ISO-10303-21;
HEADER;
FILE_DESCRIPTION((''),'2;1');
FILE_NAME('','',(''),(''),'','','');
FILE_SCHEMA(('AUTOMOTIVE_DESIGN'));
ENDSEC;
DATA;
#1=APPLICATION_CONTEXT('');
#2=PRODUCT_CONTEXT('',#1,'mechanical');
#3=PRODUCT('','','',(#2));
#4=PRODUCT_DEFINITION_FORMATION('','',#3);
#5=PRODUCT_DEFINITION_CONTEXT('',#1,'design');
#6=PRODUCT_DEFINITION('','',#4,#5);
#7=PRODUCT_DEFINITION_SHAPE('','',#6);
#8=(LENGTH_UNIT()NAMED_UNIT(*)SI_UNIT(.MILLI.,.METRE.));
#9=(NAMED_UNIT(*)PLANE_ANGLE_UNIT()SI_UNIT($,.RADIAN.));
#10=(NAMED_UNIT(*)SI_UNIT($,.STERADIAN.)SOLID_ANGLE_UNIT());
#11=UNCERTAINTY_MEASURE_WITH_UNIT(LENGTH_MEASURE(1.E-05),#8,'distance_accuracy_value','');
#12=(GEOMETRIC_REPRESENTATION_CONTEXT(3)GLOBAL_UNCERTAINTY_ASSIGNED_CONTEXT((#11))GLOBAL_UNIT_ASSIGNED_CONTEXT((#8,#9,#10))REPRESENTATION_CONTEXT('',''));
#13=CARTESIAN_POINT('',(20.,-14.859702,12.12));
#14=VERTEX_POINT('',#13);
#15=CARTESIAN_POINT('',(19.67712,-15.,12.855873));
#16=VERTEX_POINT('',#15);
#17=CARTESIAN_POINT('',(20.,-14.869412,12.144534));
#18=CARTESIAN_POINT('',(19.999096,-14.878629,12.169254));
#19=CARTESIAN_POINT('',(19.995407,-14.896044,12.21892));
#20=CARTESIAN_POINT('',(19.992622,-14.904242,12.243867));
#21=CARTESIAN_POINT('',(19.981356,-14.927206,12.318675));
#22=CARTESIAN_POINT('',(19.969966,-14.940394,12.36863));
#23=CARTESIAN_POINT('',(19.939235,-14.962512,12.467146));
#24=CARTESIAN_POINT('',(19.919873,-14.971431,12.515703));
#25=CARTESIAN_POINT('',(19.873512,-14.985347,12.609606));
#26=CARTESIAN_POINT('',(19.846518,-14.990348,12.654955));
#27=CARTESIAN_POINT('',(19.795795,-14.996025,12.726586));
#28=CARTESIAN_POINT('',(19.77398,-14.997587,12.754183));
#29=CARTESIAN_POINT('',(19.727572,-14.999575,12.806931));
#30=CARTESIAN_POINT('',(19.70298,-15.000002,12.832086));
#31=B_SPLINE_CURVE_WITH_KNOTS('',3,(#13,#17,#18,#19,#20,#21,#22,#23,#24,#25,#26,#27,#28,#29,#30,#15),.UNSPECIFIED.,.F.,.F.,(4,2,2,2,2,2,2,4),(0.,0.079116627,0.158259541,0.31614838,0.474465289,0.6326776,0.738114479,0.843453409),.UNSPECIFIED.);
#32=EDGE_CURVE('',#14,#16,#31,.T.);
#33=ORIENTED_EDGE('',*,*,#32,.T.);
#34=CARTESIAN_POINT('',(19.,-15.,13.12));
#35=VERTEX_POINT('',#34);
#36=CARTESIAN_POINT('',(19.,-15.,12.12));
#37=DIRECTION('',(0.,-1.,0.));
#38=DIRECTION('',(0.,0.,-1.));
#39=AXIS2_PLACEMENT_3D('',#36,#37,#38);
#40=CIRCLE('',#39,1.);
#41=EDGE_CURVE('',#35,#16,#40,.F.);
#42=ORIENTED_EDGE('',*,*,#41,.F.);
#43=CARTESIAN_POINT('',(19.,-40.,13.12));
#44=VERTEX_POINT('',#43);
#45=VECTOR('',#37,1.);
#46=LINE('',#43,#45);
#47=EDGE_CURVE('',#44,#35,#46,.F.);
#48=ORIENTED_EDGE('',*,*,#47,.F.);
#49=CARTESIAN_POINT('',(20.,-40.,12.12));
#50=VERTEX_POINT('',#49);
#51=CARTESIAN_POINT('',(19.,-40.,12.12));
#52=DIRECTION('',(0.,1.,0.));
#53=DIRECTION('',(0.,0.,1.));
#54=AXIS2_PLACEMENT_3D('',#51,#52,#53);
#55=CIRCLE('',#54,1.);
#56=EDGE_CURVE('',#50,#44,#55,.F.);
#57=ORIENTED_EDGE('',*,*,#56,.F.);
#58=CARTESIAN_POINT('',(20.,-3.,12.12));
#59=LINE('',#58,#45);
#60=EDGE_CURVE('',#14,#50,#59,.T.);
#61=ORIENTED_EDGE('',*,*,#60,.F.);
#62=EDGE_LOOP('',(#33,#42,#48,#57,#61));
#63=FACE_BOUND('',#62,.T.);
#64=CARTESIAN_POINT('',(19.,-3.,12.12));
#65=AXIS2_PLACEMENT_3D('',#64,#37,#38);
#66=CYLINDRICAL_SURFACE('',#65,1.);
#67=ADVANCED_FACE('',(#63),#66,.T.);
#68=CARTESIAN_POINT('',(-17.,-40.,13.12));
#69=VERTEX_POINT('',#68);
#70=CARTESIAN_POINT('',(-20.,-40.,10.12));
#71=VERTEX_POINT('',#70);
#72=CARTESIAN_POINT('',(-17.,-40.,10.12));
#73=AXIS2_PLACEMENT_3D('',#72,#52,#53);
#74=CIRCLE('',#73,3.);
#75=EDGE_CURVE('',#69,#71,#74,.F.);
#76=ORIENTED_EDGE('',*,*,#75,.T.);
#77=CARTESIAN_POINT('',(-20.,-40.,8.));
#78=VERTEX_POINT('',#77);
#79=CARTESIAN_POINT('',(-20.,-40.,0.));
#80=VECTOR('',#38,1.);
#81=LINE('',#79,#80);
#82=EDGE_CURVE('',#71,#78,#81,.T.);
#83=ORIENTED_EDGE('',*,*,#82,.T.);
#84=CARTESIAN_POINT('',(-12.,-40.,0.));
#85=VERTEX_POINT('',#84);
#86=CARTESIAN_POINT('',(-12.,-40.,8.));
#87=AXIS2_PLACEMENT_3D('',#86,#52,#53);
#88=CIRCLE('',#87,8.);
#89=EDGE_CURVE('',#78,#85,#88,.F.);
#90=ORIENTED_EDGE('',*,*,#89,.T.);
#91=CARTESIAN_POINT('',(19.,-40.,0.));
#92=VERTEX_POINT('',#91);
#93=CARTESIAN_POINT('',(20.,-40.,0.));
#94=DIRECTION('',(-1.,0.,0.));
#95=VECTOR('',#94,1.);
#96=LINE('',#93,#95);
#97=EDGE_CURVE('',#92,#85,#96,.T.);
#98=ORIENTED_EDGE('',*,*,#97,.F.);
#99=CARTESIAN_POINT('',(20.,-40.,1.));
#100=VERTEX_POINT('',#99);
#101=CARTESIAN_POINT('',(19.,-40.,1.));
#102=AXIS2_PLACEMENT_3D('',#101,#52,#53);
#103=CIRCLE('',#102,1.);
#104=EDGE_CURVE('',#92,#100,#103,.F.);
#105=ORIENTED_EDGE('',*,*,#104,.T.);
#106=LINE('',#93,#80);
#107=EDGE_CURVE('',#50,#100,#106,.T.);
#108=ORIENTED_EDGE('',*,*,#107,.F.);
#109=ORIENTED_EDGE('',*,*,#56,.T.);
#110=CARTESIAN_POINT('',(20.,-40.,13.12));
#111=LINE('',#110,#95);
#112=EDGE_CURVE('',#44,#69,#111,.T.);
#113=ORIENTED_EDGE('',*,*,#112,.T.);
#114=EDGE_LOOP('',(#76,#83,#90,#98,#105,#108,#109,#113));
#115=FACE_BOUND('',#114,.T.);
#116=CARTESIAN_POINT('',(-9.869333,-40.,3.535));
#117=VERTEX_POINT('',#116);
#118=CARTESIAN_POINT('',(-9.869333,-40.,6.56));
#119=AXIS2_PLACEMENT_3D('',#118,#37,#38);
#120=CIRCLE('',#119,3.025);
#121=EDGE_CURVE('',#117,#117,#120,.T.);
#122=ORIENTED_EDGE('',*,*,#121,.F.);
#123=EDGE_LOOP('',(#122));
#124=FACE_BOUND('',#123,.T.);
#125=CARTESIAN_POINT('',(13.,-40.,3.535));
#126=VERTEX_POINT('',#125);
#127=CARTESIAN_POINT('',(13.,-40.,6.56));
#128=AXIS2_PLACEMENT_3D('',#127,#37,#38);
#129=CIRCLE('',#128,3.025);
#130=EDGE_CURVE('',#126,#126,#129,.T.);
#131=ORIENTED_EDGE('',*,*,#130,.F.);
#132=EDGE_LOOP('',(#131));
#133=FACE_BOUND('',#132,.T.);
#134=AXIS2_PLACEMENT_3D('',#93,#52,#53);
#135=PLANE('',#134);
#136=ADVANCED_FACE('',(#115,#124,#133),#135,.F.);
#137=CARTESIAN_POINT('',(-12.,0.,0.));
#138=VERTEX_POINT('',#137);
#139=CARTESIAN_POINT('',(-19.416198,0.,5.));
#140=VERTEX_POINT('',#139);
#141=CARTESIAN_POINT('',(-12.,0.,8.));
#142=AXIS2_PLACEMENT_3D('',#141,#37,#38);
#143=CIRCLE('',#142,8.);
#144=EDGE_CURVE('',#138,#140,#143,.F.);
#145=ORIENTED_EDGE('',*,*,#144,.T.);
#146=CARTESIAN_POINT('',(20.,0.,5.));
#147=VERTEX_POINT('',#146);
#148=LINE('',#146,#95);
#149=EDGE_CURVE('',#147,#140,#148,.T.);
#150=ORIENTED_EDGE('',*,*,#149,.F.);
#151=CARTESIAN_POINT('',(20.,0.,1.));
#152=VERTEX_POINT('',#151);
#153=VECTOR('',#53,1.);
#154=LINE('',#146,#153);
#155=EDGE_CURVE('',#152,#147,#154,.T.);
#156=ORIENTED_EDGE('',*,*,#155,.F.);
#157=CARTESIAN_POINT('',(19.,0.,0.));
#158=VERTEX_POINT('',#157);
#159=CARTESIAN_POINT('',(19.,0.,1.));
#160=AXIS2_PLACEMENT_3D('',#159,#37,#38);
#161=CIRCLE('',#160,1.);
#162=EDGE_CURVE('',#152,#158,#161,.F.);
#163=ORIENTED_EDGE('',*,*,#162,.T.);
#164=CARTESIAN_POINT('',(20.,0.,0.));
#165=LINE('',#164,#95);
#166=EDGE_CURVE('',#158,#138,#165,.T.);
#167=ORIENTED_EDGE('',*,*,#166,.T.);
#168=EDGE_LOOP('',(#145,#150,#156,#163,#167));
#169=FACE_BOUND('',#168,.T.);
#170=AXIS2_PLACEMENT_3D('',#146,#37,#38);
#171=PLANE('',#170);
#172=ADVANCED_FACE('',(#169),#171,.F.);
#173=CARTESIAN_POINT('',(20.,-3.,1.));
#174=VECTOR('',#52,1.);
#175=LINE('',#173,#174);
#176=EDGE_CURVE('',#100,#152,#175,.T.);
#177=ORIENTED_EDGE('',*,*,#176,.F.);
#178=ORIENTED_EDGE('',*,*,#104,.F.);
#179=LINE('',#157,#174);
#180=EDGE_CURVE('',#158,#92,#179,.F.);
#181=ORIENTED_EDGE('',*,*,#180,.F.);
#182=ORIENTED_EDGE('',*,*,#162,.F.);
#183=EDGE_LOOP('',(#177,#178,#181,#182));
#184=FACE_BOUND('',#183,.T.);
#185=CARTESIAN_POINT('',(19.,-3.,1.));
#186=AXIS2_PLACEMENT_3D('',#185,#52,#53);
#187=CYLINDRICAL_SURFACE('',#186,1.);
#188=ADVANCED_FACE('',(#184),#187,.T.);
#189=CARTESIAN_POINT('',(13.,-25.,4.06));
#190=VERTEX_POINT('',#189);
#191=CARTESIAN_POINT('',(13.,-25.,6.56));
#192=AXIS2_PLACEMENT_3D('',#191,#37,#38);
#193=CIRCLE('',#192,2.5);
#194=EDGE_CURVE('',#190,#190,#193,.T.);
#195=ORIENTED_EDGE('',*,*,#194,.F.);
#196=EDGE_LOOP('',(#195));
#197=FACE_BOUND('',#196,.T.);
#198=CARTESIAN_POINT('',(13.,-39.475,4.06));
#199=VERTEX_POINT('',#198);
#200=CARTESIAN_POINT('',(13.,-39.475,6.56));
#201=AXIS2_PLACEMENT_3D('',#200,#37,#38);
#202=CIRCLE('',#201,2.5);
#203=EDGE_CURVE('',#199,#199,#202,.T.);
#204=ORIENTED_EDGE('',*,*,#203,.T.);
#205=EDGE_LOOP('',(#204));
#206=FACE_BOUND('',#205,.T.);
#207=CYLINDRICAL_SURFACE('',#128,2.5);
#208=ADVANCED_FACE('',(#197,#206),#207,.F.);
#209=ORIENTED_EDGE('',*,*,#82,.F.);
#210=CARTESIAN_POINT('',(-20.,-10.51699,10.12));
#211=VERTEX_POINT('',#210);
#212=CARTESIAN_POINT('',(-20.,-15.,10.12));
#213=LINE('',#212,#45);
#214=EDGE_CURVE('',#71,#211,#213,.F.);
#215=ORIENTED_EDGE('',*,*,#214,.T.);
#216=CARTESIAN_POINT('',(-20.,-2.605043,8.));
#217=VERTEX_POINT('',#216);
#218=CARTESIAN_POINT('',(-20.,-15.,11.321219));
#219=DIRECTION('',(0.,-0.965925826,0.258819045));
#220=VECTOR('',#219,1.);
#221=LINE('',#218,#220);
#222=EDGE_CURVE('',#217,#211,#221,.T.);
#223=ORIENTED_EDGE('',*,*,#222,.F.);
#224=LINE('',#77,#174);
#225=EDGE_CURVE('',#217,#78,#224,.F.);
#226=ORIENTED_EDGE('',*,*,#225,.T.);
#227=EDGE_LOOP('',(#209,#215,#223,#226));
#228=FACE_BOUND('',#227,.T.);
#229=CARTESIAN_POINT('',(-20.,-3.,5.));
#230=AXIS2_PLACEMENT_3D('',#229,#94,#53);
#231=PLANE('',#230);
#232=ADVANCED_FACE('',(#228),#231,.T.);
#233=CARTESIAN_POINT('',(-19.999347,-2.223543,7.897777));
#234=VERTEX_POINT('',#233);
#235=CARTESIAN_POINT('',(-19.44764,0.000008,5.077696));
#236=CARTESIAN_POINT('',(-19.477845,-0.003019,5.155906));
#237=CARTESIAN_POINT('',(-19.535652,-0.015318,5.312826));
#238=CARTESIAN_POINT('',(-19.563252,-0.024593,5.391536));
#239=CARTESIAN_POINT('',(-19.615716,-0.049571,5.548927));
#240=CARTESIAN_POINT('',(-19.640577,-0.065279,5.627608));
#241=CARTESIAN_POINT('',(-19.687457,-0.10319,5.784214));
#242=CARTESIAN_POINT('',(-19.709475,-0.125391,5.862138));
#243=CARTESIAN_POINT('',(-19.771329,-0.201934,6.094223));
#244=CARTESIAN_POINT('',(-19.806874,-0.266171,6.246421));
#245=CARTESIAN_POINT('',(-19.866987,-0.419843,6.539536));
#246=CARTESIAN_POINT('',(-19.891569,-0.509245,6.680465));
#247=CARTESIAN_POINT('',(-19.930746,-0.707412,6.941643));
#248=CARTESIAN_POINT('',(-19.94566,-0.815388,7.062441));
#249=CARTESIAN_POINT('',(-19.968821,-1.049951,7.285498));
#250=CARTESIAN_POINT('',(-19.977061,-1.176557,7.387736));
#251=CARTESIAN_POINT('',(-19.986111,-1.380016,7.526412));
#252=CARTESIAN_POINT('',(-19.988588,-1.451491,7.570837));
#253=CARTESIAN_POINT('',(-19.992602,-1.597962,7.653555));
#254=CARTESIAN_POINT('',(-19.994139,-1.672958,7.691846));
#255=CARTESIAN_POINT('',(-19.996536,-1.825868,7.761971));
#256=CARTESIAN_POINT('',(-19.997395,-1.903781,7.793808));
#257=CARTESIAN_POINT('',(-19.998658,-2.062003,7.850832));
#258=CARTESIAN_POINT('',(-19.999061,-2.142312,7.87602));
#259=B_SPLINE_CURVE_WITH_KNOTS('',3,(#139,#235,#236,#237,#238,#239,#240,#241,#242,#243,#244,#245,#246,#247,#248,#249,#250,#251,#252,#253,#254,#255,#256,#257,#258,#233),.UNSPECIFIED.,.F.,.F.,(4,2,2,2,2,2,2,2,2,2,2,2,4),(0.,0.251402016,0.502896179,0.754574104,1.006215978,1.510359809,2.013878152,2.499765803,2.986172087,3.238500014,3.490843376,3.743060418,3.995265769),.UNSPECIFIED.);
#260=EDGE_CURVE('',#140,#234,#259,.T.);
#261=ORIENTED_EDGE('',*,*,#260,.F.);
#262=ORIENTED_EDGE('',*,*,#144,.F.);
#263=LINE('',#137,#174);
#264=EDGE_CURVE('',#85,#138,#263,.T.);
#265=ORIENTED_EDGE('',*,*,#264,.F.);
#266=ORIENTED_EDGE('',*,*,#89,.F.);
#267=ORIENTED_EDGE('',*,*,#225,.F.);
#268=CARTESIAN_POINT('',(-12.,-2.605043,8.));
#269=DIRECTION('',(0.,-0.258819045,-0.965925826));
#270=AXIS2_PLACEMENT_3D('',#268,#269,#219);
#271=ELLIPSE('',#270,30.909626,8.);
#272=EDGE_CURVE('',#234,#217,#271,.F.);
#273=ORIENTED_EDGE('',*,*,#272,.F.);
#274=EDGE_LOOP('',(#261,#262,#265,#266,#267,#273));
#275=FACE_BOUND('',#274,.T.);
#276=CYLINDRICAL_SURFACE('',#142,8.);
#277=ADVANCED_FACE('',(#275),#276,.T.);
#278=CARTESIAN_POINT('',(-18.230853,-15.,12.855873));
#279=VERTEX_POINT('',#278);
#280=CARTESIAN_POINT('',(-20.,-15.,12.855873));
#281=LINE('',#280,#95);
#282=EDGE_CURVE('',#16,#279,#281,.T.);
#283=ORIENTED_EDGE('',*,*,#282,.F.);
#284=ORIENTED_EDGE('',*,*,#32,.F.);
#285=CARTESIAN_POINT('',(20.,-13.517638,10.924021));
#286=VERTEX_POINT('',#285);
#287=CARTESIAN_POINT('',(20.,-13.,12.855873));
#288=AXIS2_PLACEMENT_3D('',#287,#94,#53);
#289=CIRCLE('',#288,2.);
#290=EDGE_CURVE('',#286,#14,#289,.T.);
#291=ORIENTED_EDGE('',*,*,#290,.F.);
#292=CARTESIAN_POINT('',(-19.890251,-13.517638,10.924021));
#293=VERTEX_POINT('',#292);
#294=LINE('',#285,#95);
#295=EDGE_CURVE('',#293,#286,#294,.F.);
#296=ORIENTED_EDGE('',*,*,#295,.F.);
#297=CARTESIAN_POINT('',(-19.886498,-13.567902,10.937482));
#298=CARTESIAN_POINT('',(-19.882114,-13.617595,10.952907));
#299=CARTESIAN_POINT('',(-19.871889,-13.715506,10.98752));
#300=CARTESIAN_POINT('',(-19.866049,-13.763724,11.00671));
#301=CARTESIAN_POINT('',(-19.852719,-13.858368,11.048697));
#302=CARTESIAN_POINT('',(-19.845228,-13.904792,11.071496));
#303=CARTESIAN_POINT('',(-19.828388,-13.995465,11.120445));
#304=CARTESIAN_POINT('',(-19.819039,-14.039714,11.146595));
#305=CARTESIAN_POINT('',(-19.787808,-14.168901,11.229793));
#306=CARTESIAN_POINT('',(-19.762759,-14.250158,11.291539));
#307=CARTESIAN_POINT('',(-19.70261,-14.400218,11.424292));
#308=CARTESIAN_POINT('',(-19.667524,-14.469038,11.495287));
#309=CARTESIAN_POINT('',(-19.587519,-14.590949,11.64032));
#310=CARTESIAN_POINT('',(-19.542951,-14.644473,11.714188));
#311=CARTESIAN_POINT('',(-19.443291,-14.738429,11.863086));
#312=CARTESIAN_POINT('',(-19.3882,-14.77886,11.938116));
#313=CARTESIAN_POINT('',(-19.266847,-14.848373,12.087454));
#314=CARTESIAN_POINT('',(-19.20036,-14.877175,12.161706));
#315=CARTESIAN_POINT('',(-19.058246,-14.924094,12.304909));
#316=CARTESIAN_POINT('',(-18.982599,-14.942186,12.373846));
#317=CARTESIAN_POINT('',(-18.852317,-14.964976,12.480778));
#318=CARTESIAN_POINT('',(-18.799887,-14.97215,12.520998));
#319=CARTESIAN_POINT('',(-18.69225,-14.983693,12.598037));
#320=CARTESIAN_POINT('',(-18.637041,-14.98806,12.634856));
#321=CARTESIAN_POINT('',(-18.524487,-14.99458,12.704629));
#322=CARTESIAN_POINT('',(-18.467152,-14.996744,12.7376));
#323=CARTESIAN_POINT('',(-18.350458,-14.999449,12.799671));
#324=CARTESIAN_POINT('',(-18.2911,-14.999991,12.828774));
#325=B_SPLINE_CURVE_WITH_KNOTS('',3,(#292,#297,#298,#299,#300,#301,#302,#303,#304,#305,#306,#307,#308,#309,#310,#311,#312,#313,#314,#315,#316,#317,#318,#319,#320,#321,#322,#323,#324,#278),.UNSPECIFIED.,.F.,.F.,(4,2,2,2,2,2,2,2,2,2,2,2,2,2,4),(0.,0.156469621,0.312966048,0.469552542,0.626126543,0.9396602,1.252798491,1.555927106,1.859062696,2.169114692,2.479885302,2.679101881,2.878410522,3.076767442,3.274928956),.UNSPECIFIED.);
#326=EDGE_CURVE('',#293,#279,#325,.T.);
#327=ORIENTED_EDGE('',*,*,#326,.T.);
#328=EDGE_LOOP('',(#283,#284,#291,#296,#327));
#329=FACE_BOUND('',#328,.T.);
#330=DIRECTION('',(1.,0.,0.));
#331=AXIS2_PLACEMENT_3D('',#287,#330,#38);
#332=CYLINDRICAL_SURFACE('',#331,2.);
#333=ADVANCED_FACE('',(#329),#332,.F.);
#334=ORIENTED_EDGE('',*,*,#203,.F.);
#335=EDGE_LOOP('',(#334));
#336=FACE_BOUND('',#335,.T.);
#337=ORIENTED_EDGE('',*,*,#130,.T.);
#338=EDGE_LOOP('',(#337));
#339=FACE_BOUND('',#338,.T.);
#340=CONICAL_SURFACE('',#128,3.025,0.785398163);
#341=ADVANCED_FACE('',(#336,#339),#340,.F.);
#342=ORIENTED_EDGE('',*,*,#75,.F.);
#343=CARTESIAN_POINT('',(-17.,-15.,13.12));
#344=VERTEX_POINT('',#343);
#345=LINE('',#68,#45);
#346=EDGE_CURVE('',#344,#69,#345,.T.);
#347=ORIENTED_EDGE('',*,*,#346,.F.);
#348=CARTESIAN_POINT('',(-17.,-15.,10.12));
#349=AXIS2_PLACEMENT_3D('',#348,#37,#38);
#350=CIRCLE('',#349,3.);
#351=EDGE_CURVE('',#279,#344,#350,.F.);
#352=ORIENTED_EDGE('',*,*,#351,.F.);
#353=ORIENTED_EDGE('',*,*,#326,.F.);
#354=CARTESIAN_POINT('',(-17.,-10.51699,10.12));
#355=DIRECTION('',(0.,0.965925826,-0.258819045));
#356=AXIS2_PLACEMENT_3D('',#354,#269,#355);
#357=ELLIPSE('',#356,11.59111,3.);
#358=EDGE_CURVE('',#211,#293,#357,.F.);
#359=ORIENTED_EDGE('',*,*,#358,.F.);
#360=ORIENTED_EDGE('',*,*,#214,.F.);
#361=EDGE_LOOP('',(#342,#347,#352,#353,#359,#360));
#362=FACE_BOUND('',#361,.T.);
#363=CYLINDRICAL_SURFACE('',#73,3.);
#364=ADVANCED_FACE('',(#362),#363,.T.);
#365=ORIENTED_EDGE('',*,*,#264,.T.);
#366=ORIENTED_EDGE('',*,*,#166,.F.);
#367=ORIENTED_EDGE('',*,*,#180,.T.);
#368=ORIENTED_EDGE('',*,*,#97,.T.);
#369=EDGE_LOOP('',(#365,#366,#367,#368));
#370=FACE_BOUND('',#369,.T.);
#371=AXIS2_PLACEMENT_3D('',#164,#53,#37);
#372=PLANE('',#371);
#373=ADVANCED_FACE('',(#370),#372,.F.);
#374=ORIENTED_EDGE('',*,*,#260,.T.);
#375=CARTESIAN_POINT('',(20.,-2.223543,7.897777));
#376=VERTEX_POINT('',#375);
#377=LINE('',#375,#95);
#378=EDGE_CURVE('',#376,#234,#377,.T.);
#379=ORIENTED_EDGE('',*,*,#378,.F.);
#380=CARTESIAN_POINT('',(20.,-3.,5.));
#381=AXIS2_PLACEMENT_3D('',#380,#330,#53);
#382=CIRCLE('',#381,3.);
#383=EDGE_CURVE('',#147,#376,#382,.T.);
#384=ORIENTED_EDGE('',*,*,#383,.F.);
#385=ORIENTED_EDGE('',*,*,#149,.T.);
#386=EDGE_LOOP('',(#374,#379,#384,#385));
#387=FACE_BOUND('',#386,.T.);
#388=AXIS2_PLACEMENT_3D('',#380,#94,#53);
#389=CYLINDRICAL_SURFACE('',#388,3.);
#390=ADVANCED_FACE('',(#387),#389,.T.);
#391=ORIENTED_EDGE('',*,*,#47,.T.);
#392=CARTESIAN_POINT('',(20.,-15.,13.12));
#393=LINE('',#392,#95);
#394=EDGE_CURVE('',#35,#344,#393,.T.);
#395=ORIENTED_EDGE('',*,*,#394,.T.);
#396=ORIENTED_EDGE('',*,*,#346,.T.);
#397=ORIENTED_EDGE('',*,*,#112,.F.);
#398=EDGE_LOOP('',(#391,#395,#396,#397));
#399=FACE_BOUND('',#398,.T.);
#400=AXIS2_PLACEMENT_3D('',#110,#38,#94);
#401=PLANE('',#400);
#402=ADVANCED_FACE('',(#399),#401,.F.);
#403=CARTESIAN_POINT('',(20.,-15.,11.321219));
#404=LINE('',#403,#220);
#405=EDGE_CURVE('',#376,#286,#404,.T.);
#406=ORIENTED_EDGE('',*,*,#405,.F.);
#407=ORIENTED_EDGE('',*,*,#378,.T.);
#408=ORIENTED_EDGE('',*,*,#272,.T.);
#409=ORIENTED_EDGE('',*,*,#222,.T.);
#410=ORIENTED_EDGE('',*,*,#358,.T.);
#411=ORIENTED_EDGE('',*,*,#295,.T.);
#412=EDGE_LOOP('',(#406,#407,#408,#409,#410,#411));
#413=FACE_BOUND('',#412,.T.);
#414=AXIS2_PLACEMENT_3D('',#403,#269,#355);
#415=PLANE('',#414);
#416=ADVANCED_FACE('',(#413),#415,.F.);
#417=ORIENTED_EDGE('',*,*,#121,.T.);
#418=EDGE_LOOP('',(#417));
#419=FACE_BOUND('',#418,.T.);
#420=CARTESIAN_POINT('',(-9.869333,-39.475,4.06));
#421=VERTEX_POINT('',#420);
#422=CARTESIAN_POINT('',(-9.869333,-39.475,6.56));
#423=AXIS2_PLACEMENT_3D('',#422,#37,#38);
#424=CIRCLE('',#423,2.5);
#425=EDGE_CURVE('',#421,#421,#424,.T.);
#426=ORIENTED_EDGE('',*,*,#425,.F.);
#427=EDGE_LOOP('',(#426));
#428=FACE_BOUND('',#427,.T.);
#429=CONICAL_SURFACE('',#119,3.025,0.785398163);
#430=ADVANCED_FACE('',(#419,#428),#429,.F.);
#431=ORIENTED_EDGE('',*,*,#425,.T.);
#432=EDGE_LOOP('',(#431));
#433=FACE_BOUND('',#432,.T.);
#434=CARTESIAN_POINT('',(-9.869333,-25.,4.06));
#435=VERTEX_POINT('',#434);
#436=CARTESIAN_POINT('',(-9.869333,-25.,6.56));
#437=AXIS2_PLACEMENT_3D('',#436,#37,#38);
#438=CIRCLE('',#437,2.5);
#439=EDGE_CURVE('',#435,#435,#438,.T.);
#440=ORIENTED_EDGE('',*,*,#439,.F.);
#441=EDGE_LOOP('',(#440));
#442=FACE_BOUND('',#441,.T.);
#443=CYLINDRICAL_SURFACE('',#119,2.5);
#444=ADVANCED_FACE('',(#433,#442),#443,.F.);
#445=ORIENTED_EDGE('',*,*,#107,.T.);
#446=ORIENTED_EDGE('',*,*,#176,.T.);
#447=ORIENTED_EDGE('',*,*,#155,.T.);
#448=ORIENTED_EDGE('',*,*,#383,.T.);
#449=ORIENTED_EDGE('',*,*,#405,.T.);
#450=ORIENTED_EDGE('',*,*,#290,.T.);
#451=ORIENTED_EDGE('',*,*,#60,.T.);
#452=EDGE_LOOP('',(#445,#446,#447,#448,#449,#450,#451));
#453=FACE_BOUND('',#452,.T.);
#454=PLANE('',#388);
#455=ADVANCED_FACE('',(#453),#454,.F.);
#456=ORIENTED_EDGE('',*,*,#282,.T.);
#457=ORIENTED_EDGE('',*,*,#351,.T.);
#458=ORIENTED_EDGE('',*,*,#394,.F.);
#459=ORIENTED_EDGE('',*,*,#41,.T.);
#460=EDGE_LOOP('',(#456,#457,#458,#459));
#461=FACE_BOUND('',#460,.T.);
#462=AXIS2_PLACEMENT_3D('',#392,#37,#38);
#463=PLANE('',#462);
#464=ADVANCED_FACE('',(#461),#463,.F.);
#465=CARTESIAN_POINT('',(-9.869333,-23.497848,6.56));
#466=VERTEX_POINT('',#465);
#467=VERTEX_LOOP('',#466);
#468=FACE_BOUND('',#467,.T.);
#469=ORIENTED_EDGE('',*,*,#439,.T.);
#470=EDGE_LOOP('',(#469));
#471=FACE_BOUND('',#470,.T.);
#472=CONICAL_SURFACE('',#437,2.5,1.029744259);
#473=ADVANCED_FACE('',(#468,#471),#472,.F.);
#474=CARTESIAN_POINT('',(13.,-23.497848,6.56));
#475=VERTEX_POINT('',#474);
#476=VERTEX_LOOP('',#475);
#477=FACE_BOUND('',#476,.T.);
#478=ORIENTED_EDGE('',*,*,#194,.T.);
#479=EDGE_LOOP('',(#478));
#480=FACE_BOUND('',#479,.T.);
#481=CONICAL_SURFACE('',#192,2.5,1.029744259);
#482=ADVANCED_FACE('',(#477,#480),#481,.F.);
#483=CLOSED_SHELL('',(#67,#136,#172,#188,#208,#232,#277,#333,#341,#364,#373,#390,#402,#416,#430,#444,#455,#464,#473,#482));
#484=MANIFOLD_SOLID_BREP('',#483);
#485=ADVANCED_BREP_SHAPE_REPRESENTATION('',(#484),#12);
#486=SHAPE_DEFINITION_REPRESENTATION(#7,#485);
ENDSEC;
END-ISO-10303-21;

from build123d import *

# Parameters (mm, degrees)
BOSS_EXTRUDE1_DEPTH         = 20
FILLET1_R                   = 1
FILLET2_R                   = 2
FILLET3_R                   = 8
FILLET4_R                   = 3
M6_TAPPED_HOLE1_D           = 5
M6_TAPPED_HOLE1_DEPTH       = 15
M6_TAPPED_HOLE1_CSINK_D     = 6.05
M6_TAPPED_HOLE1_CSINK_ANGLE = 90
M6_TAPPED_HOLE1_TIP         = 1.502151548


with BuildPart() as part:
    # Sketch1 → Boss-Extrude1 (new, symmetric)
    with BuildSketch(Plane(origin=(0, 0, 0), x_dir=(0, 0, -1), z_dir=(1, 0, 0))):
        with BuildLine():
            Line((-5, 0), (0, 0))
            Line((0, 0), (0, -40))
            Line((0, -40), (-13.12, -40))
            Line((-13.12, -40), (-13.12, -15))
            Line((-13.12, -15), (-11.32121885, -15))
            Line((-11.32121885, -15), (-7.897777479, -2.223542865))
            ThreePointArc((-7.897777479, -2.223542865), (-6.826284287, -0.619939979), (-5, 0))
        make_face()
    extrude(amount=BOSS_EXTRUDE1_DEPTH, both=True)

    # Fillet1
    fillet1_edges = [part.edges().sort_by_distance(p)[0] for p in [
        (20, -27.5, 13.12),
        (20, -20, 0),
    ]]
    fillet(fillet1_edges, radius=FILLET1_R)

    # Fillet2
    fillet2_edges = [part.edges().sort_by_distance(p)[0] for p in [
        (0, -15, 11.32121885),
    ]]
    fillet(fillet2_edges, radius=FILLET2_R)

    # Fillet3
    fillet3_edges = [part.edges().sort_by_distance(p)[0] for p in [
        (-20, -20, 0),
    ]]
    fillet(fillet3_edges, radius=FILLET3_R)

    # Fillet4
    fillet4_edges = [part.edges().sort_by_distance(p)[0] for p in [
        (-20, -27.5, 13.12),
    ]]
    fillet(fillet4_edges, radius=FILLET4_R)

    # M6 Tapped Hole1
    with Locations(Plane(origin=(0, -40, 0), x_dir=(-1, 0, 0), z_dir=(0, -1, 0))):
        with Locations((-13, -6.56), (9.869332882, -6.56)):
            CounterSinkHole(M6_TAPPED_HOLE1_D / 2, M6_TAPPED_HOLE1_CSINK_D / 2, depth=M6_TAPPED_HOLE1_DEPTH, counter_sink_angle=M6_TAPPED_HOLE1_CSINK_ANGLE)
            with Locations((0, 0, -(M6_TAPPED_HOLE1_DEPTH + M6_TAPPED_HOLE1_TIP / 2))):  # 118° drill point
                Cone(0, M6_TAPPED_HOLE1_D / 2, M6_TAPPED_HOLE1_TIP, mode=Mode.SUBTRACT)


solid = part.part
